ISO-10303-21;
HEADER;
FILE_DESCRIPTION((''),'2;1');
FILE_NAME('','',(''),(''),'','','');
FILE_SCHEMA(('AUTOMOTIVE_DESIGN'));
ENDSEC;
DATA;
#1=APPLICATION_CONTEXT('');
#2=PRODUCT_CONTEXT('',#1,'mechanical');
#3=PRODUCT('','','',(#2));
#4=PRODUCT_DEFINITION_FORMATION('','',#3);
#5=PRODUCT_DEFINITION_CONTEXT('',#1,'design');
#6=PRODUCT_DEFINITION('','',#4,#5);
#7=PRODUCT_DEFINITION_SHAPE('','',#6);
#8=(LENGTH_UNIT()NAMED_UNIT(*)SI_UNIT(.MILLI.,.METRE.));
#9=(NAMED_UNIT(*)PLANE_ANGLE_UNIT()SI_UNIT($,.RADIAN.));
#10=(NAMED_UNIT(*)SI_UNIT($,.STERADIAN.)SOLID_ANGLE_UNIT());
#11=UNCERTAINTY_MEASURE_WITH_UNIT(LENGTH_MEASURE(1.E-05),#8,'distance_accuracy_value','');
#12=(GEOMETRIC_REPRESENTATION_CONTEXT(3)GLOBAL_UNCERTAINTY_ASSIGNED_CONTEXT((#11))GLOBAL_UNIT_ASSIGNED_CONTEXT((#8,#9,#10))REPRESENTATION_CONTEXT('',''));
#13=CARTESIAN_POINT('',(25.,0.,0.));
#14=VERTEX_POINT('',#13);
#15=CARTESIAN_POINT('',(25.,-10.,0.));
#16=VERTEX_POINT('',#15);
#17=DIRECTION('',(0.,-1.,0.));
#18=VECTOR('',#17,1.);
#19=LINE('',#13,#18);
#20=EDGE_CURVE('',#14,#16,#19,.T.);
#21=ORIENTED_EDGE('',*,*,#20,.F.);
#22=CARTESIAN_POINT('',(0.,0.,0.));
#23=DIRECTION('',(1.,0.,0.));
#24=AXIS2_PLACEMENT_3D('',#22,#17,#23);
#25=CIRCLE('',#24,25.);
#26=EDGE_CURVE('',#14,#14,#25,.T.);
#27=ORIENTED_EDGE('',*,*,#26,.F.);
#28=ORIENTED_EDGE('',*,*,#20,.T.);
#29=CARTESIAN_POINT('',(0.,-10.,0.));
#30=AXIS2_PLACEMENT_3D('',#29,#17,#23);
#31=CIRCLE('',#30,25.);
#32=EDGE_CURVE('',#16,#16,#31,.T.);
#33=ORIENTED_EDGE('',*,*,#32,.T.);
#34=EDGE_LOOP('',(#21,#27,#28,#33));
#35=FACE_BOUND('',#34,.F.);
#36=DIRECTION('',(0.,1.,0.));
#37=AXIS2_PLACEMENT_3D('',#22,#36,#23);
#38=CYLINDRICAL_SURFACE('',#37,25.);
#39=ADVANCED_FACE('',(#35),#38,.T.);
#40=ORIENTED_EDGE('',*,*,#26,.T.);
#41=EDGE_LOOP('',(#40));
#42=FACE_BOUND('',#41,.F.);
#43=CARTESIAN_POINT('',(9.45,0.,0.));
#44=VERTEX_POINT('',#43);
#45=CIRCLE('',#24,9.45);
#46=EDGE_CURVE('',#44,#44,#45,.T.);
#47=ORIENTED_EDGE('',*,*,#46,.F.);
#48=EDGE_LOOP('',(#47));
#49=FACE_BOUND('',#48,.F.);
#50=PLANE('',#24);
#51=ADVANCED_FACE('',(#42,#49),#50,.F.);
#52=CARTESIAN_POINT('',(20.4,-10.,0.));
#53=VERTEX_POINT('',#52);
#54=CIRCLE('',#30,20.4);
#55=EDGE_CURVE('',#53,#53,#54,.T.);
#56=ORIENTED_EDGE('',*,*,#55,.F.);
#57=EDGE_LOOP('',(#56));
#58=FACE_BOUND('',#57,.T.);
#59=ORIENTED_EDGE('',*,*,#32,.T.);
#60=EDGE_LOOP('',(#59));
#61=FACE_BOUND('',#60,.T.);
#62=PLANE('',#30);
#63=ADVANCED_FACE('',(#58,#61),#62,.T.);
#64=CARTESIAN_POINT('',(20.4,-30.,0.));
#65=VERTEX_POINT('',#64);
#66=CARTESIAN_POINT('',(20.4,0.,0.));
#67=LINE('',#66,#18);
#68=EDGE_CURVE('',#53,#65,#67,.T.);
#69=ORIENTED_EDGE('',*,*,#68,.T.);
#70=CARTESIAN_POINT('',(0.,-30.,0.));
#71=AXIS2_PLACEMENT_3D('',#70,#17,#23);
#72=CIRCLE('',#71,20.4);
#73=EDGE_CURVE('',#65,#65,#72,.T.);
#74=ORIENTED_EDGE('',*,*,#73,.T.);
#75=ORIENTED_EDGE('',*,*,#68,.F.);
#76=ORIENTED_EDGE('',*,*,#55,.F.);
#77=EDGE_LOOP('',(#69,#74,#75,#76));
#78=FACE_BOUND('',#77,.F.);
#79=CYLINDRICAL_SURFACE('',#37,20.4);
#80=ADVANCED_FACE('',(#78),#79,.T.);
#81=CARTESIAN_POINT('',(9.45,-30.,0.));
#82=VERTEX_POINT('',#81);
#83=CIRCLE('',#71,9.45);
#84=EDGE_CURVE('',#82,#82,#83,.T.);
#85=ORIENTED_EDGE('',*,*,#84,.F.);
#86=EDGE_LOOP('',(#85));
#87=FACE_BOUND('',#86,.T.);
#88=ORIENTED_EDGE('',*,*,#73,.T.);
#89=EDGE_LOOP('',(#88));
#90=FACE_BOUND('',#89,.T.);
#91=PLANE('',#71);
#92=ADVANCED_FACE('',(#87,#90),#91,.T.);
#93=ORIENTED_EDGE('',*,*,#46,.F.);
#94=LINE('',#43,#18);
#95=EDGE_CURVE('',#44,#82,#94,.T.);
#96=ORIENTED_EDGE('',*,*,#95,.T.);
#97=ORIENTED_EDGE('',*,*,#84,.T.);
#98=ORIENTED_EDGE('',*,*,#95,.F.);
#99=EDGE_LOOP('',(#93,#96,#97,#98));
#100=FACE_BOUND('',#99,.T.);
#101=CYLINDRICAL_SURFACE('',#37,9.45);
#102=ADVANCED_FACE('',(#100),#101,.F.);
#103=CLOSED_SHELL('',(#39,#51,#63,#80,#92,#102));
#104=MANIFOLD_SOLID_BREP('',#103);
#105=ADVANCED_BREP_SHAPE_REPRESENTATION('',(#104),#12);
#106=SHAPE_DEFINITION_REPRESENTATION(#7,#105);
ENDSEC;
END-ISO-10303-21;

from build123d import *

# Parameters (mm, degrees)
F0_R     = 20.4
F0_R_2   = 9.45
F1_DEPTH = 30
F0_R_3   = 25
F2_DEPTH = 10


with BuildPart() as f1:
    # F0 (on Front) → F1 (new body)
    with BuildSketch(Plane.XZ):
        Circle(F0_R)
        Circle(F0_R_2, mode=Mode.SUBTRACT)
    extrude(amount=F1_DEPTH)

    # F0 (on Front) → F2 (join)
    with BuildSketch(Plane.XZ):
        Circle(F0_R_3)
        Circle(F0_R, mode=Mode.SUBTRACT)
    extrude(amount=F2_DEPTH)


solid = f1.part
